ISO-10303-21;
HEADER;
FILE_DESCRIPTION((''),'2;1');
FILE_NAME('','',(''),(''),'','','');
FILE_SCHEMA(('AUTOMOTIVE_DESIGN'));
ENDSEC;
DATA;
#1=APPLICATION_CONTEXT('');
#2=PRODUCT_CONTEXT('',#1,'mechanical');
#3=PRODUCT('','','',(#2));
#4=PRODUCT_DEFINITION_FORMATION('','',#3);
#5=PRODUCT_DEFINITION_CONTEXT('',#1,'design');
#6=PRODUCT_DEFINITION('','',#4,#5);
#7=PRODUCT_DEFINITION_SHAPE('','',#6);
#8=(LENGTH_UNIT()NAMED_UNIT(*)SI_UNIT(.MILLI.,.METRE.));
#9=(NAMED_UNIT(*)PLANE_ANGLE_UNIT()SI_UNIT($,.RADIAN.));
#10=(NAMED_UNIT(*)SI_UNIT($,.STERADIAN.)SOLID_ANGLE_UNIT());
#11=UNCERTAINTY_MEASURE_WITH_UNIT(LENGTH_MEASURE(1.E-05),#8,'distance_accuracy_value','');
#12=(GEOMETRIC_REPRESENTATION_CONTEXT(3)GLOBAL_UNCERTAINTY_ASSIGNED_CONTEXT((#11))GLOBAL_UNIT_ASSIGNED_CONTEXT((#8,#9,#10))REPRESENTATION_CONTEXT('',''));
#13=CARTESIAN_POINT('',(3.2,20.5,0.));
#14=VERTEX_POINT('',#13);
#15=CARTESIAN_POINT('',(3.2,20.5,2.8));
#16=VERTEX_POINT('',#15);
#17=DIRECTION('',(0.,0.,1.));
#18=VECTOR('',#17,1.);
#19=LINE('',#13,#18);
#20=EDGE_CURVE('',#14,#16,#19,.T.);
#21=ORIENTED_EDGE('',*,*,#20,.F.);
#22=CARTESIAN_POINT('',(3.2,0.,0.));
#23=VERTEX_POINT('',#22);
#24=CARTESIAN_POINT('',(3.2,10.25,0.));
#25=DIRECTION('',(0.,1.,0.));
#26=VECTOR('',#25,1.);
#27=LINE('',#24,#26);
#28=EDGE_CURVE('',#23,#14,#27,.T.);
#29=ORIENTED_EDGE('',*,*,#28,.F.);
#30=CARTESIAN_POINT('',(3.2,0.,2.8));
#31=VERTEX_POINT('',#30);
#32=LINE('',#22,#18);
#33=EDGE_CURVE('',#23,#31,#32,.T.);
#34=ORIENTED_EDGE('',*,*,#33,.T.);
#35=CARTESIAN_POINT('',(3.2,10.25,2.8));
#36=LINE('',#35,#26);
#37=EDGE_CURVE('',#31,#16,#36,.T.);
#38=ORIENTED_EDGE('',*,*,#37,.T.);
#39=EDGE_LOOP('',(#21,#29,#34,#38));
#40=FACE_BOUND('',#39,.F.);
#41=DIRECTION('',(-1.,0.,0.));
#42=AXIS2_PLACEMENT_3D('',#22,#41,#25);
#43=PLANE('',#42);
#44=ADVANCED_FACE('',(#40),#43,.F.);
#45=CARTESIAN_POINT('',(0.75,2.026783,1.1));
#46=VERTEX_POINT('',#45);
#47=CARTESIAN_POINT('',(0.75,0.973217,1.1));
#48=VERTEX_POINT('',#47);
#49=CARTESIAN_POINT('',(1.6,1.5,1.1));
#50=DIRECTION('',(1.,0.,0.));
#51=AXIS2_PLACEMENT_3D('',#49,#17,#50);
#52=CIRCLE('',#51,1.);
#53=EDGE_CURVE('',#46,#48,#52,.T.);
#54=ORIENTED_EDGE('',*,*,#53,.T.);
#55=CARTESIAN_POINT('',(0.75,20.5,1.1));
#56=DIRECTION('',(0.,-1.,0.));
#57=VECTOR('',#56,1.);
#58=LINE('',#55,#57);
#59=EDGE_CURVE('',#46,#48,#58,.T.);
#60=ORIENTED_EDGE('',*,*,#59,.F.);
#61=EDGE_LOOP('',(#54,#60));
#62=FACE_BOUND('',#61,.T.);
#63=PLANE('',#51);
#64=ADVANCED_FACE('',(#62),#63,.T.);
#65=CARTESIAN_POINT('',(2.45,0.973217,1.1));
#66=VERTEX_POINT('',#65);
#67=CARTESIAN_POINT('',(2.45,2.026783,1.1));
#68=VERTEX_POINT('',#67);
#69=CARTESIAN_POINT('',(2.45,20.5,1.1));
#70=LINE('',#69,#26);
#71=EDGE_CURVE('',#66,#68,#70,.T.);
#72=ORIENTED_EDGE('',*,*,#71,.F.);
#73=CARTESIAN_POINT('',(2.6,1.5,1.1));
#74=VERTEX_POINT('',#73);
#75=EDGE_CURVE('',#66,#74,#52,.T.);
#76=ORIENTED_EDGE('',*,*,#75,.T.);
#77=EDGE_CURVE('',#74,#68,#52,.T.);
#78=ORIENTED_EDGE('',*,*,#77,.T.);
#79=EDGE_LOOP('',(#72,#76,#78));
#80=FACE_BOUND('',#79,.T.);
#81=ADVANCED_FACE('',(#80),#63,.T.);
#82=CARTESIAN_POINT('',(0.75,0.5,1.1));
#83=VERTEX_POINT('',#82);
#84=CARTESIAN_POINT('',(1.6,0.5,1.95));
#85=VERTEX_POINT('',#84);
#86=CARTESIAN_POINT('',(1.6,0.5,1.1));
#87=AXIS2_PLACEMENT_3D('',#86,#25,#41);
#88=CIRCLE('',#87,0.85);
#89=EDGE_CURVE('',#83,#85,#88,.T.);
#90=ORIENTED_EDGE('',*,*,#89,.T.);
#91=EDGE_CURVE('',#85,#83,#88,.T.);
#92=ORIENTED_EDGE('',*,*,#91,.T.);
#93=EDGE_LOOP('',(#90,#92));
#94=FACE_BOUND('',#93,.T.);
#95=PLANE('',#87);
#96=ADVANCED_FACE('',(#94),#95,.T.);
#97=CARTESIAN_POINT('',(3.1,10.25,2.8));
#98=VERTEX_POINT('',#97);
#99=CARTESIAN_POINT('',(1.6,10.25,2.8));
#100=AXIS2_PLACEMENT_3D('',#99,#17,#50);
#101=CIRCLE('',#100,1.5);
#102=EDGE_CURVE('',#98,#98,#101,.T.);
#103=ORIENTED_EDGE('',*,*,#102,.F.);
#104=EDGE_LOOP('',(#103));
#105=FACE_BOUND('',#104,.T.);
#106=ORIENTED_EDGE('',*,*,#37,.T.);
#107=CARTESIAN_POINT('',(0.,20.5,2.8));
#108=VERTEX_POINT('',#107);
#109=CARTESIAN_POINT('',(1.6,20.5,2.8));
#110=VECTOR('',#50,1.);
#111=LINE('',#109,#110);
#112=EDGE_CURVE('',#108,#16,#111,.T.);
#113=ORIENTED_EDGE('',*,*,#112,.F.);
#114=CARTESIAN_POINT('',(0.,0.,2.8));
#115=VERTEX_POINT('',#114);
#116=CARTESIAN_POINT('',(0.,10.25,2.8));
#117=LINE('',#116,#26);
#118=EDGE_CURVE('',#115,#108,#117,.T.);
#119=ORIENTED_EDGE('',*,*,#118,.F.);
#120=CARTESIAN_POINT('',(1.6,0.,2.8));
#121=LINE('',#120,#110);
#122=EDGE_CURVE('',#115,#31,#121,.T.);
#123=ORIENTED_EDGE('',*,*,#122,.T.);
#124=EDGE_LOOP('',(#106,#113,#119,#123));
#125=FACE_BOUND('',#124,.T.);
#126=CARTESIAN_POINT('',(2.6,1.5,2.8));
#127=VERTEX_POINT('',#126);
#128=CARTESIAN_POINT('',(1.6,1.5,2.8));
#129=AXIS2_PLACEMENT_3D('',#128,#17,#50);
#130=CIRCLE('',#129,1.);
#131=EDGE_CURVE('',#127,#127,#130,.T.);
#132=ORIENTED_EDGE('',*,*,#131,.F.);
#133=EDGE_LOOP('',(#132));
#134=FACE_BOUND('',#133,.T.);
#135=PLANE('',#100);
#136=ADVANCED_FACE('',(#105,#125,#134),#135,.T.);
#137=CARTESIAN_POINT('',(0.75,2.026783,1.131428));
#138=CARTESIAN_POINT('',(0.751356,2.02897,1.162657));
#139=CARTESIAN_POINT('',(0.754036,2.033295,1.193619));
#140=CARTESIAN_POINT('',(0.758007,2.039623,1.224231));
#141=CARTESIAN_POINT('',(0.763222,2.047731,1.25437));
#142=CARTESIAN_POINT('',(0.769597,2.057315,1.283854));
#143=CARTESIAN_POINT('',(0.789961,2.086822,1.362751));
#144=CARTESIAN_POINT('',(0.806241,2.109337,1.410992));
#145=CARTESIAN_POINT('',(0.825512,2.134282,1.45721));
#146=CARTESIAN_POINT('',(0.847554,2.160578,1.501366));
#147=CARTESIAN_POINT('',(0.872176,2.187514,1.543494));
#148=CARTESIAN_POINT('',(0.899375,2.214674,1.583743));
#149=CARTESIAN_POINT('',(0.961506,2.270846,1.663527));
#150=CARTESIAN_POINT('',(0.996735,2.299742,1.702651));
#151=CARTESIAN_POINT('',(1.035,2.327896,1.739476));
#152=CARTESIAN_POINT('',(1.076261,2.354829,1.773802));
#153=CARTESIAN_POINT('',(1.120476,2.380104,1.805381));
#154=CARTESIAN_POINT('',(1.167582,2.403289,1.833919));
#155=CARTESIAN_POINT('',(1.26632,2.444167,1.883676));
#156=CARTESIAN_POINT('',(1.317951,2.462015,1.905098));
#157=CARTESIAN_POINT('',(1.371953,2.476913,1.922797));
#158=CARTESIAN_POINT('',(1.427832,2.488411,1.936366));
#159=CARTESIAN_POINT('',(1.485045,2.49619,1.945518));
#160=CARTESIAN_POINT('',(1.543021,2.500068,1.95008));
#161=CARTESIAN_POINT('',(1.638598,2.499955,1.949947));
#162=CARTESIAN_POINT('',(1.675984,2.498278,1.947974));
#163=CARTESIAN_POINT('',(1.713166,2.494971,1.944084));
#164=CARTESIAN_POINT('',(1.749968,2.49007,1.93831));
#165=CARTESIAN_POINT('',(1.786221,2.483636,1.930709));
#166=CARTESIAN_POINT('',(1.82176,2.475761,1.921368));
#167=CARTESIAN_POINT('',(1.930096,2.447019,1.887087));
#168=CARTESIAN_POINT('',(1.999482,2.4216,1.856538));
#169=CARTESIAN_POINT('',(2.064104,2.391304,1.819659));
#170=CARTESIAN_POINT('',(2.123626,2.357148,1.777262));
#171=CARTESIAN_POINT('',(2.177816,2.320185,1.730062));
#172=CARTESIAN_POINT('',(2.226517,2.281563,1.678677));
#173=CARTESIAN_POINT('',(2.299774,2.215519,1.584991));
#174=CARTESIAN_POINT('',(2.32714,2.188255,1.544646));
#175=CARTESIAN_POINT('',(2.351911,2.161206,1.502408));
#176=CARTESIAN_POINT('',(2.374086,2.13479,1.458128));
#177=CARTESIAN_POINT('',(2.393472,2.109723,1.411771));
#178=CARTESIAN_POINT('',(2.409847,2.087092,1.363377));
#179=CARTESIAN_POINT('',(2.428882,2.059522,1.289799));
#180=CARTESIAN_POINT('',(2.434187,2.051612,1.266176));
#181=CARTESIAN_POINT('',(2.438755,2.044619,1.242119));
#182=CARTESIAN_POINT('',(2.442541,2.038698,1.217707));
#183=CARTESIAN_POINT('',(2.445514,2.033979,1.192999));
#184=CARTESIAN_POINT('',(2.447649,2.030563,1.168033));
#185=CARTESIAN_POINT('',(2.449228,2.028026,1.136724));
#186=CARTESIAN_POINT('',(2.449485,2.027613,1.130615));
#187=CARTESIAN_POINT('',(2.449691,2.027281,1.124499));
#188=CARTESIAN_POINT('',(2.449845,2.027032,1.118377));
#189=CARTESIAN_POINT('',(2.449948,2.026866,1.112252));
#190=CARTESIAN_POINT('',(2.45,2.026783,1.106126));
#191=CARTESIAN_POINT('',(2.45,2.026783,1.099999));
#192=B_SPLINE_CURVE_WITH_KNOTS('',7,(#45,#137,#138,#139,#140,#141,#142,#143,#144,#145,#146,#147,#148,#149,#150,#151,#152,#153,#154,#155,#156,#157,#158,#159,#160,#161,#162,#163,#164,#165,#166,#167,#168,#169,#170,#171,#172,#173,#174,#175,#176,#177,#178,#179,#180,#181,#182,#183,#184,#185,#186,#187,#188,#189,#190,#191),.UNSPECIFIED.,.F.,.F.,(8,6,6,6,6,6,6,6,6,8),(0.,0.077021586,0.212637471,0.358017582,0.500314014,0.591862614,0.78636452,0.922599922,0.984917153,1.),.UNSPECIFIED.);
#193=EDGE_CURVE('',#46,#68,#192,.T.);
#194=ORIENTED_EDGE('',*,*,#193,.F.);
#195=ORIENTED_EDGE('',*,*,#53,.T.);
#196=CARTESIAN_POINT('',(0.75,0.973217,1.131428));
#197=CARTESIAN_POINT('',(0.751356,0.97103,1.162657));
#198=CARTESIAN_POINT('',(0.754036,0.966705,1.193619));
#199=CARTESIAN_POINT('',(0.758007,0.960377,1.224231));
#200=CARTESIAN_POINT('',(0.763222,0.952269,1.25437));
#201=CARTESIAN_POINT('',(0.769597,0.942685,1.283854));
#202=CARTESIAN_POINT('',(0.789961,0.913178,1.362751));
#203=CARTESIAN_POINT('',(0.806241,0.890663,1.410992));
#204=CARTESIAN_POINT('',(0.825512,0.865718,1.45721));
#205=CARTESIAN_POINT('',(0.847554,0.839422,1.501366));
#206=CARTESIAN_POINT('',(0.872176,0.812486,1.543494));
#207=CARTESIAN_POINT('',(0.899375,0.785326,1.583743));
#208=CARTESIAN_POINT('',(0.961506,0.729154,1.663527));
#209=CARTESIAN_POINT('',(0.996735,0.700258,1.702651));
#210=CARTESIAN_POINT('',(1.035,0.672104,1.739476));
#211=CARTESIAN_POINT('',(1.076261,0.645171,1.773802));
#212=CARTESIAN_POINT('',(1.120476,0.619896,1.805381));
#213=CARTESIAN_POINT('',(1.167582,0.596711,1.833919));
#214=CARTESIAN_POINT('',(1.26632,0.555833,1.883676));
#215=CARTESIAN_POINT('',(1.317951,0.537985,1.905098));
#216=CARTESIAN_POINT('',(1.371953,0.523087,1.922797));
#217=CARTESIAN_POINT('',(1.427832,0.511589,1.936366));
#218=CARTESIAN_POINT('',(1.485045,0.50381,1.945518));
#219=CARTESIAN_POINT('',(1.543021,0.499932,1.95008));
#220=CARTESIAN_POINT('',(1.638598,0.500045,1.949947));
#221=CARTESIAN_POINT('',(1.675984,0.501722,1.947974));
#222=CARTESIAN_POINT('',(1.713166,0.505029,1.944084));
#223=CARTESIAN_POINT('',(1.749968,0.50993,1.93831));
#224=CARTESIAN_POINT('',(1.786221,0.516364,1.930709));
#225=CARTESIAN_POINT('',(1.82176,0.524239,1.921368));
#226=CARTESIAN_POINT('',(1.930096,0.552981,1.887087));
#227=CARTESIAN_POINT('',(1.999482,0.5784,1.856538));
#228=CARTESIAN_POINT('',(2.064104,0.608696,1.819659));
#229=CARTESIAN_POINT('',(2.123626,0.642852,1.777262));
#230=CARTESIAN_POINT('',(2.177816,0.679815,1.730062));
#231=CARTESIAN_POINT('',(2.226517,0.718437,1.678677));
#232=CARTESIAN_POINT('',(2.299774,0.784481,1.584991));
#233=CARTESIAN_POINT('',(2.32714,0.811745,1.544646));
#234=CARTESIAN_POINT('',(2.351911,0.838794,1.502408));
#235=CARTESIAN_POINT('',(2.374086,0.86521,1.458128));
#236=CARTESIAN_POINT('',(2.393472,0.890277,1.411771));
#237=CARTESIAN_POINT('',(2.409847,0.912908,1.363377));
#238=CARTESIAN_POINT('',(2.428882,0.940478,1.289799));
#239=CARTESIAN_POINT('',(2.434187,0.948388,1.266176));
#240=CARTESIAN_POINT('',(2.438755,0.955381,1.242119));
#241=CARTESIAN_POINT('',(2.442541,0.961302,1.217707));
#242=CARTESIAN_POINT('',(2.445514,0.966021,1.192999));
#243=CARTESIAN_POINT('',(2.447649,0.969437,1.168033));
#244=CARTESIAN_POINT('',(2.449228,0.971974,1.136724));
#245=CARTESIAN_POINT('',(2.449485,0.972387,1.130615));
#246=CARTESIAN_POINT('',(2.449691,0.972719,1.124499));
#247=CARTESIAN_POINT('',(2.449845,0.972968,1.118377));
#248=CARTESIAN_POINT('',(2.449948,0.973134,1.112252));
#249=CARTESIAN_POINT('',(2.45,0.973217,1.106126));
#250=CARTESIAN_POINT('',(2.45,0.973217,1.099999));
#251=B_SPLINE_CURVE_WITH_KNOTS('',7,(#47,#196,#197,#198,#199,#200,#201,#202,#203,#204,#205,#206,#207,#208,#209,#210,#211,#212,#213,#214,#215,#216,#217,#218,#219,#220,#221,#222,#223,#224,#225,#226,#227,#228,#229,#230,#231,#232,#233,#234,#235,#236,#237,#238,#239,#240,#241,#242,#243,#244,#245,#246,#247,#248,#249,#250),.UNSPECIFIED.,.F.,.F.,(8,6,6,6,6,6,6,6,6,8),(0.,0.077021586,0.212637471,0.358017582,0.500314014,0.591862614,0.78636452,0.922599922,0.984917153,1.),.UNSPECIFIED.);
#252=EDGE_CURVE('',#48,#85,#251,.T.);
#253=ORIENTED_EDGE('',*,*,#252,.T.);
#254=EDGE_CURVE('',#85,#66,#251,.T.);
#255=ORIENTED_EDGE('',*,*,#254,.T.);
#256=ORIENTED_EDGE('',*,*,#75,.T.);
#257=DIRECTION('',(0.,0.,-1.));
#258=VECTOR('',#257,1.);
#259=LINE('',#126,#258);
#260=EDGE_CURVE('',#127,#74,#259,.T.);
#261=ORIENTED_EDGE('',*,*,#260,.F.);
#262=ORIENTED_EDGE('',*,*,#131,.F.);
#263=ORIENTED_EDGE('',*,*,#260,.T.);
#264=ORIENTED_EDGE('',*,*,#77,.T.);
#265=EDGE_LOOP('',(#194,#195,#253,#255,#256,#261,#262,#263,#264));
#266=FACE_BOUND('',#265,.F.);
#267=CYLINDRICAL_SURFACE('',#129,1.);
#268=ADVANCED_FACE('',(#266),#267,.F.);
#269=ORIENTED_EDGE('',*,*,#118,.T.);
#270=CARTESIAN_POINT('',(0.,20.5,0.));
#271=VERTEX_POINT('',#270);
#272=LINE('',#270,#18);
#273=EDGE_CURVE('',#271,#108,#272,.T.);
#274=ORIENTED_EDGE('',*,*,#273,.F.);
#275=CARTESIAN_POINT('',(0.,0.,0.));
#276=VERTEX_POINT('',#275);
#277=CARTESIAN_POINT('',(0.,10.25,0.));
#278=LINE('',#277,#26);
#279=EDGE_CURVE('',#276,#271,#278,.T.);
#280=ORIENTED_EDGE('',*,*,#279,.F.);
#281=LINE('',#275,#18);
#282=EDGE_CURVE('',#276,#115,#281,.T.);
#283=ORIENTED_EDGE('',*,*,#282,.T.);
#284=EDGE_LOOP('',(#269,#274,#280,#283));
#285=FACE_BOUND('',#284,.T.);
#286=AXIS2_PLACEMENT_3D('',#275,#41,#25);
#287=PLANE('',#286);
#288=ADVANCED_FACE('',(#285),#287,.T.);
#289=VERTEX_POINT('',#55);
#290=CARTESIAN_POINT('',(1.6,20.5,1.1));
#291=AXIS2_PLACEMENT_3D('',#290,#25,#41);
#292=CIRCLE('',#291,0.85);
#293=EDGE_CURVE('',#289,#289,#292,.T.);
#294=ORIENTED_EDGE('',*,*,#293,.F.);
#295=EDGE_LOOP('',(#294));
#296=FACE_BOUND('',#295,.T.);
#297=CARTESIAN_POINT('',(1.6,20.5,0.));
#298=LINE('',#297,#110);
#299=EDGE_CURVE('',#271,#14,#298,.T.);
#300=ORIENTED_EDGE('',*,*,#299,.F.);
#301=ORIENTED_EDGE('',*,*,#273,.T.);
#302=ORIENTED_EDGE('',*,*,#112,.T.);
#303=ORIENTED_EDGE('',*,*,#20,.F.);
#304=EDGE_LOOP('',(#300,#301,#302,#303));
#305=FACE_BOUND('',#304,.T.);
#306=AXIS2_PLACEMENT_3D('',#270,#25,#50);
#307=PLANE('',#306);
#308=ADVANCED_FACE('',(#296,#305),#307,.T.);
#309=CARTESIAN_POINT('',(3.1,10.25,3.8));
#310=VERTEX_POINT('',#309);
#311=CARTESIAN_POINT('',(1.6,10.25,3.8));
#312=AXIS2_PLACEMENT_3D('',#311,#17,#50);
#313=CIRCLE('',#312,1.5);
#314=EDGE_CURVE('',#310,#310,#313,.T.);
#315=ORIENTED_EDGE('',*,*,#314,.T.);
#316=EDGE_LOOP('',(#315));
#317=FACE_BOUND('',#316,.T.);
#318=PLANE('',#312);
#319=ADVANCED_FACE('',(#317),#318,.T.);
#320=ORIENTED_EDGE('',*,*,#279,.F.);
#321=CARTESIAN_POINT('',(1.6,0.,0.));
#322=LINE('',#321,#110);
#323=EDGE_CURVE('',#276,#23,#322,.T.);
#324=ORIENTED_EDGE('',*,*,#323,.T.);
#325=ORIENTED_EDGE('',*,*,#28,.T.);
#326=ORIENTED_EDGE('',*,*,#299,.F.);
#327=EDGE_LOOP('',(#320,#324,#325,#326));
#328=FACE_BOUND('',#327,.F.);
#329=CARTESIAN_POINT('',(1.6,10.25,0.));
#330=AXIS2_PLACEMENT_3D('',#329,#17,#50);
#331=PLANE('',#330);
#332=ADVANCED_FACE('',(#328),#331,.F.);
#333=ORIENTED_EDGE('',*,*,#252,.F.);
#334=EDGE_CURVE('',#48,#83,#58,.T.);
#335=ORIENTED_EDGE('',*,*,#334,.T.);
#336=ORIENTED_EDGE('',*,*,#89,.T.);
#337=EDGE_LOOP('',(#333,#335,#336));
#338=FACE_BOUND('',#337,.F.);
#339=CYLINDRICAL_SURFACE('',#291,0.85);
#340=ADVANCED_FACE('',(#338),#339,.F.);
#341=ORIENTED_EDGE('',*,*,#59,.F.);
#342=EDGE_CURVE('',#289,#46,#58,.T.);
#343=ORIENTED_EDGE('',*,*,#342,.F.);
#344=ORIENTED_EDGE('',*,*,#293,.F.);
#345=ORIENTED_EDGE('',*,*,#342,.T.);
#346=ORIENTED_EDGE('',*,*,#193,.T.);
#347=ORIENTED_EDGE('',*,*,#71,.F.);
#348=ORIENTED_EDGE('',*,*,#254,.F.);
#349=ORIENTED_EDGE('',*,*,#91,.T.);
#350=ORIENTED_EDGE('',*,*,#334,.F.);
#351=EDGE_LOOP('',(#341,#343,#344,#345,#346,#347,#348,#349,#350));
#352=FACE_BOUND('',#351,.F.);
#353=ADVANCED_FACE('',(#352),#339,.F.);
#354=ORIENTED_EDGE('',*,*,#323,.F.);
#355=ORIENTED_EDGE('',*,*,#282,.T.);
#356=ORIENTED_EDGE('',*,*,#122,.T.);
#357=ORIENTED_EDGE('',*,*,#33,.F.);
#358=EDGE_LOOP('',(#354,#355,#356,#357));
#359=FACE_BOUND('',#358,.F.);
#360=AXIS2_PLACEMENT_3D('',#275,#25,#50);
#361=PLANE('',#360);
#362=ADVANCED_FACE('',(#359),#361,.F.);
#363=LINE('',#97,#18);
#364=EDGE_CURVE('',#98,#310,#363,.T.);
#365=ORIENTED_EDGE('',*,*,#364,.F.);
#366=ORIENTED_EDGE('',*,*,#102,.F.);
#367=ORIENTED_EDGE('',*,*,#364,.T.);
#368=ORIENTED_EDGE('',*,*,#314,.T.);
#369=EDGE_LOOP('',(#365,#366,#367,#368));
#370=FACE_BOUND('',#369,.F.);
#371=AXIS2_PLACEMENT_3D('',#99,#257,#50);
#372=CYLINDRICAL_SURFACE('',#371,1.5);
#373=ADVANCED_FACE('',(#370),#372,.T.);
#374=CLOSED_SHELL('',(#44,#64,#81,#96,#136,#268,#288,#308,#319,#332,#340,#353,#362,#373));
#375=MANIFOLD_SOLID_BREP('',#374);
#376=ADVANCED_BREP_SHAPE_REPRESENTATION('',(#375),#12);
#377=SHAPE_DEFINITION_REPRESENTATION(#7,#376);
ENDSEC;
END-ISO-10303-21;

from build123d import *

# Parameters (mm, degrees)
F0_W     = 3.2
F0_H     = 20.5
F1_DEPTH = 2.8
F2_R     = 0.85
F3_DEPTH = 20
F4_R     = 1
F5_DEPTH = 1.7
F6_R     = 1.5
F7_DEPTH = 1


with BuildPart() as f1:
    # F0 (on Top) → F1 (new body)
    with BuildSketch(Plane.XY):
        with Locations((1.6, 10.25)):
            Rectangle(F0_W, F0_H)
    extrude(amount=F1_DEPTH)

    # F2 (on face) → F3 (cut)
    with BuildSketch(Plane(origin=(0, 20.5, 0), x_dir=(-1, 0, 0), z_dir=(0, 1, 0))):
        with Locations((-1.6, 1.1)):
            Circle(F2_R)
    extrude(amount=-F3_DEPTH, mode=Mode.SUBTRACT)

    # F4 (on face) → F5 (cut)
    with BuildSketch(Plane.XY.offset(2.8)):
        with Locations((1.6, 1.5)):
            Circle(F4_R)
    extrude(amount=-F5_DEPTH, mode=Mode.SUBTRACT)

    # F6 (on face) → F7 (join)
    with BuildSketch(Plane.XY.offset(2.8)):
        with Locations((1.6, 10.25)):
            Circle(F6_R)
    extrude(amount=F7_DEPTH)


solid = f1.part
